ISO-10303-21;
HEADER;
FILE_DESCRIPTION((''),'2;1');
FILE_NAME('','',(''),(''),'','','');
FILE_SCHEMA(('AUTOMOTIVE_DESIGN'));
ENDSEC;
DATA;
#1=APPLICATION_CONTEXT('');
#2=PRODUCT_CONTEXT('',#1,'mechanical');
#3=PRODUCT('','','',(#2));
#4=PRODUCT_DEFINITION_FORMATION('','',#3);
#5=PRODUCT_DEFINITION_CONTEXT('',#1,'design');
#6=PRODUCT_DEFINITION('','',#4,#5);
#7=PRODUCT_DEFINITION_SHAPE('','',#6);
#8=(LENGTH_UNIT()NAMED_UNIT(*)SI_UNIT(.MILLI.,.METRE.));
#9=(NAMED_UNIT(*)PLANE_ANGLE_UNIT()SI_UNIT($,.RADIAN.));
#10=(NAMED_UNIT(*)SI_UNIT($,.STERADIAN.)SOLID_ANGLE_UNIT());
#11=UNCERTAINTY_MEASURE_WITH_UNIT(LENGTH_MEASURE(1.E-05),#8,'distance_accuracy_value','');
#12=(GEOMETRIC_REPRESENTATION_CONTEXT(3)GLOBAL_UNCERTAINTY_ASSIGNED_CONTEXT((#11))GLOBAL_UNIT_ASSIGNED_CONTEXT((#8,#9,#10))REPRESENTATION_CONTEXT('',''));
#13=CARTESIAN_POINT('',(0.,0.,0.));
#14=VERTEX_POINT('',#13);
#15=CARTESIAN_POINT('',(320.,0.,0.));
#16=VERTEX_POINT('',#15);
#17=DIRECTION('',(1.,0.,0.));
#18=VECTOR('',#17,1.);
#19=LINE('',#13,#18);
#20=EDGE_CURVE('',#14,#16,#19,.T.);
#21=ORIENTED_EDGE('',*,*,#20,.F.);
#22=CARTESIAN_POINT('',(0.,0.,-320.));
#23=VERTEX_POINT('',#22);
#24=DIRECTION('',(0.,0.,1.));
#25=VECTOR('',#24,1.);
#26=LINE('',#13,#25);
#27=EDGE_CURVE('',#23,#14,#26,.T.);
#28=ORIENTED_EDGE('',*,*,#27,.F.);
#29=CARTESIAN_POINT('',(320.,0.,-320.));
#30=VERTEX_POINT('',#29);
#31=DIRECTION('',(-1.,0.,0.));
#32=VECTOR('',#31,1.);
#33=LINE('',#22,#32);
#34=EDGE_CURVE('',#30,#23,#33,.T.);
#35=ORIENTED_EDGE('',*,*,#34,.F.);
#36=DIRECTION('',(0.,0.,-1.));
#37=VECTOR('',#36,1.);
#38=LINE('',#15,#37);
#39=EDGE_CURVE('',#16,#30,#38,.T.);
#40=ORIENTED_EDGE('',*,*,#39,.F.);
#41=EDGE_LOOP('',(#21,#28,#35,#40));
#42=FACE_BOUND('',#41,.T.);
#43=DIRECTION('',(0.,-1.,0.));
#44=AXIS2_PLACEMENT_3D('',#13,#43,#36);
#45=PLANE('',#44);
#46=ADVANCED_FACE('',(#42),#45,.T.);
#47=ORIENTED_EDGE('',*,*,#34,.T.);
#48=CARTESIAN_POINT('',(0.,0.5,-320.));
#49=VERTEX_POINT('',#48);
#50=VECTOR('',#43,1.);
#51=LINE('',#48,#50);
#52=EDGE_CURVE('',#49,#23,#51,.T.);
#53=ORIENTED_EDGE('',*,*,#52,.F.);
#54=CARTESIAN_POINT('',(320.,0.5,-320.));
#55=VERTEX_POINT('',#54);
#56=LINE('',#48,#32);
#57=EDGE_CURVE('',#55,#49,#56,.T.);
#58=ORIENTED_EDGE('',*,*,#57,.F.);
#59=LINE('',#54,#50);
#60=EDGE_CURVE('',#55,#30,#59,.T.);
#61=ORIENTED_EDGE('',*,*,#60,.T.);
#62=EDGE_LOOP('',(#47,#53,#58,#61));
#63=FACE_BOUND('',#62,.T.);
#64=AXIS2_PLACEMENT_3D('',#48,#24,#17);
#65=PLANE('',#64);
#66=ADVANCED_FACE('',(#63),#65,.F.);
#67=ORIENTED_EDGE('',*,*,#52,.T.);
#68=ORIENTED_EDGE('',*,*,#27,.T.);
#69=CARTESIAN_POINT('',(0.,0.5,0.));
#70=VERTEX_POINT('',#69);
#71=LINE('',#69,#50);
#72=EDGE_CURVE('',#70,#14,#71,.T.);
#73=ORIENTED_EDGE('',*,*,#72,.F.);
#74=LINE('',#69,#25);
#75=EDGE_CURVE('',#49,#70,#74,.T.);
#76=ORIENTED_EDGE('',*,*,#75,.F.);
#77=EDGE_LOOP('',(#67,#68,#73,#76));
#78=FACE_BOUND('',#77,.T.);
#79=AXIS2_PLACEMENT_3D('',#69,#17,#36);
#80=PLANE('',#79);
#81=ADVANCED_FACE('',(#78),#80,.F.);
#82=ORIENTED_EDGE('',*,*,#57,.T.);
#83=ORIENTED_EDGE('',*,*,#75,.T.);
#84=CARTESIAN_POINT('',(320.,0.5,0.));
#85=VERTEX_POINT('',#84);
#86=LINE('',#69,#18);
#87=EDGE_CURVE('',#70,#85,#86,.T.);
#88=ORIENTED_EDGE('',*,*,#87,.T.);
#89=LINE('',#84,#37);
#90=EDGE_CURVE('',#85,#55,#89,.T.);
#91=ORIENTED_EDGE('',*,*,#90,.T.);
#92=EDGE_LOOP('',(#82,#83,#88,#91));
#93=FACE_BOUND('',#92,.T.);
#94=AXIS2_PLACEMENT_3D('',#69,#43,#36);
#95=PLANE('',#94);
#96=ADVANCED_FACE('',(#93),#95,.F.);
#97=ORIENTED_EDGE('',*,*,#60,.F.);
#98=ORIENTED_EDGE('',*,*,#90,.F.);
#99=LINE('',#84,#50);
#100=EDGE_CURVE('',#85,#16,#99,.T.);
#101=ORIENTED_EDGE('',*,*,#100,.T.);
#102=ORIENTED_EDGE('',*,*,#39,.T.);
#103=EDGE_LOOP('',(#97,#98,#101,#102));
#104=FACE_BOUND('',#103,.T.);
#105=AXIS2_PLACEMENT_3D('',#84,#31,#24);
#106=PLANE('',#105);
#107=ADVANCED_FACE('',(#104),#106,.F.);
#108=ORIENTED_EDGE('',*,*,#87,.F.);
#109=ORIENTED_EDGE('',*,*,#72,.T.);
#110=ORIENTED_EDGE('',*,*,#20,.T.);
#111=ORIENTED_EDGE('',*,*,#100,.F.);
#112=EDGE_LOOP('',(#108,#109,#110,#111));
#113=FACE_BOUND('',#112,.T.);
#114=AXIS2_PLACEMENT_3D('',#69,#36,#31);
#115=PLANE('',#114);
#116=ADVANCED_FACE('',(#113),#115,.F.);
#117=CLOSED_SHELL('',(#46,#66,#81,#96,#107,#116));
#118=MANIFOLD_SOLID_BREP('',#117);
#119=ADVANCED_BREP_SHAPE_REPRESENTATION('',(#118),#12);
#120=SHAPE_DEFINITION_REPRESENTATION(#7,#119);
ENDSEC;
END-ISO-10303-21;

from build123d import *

# Parameters (mm, degrees)
SKETCH_1_W      = 320
SKETCH_1_H      = 320
EXTRUDE_1_DEPTH = 0.5


with BuildPart() as part:
    # 草图1 → 凸台-拉伸1 (new body)
    with BuildSketch(Plane(origin=(0, 0, 0), x_dir=(1, 0, 0), z_dir=(0, 1, 0))):
        with Locations((160, 160)):
            Rectangle(SKETCH_1_W, SKETCH_1_H)
    extrude(amount=EXTRUDE_1_DEPTH)


solid = part.part
